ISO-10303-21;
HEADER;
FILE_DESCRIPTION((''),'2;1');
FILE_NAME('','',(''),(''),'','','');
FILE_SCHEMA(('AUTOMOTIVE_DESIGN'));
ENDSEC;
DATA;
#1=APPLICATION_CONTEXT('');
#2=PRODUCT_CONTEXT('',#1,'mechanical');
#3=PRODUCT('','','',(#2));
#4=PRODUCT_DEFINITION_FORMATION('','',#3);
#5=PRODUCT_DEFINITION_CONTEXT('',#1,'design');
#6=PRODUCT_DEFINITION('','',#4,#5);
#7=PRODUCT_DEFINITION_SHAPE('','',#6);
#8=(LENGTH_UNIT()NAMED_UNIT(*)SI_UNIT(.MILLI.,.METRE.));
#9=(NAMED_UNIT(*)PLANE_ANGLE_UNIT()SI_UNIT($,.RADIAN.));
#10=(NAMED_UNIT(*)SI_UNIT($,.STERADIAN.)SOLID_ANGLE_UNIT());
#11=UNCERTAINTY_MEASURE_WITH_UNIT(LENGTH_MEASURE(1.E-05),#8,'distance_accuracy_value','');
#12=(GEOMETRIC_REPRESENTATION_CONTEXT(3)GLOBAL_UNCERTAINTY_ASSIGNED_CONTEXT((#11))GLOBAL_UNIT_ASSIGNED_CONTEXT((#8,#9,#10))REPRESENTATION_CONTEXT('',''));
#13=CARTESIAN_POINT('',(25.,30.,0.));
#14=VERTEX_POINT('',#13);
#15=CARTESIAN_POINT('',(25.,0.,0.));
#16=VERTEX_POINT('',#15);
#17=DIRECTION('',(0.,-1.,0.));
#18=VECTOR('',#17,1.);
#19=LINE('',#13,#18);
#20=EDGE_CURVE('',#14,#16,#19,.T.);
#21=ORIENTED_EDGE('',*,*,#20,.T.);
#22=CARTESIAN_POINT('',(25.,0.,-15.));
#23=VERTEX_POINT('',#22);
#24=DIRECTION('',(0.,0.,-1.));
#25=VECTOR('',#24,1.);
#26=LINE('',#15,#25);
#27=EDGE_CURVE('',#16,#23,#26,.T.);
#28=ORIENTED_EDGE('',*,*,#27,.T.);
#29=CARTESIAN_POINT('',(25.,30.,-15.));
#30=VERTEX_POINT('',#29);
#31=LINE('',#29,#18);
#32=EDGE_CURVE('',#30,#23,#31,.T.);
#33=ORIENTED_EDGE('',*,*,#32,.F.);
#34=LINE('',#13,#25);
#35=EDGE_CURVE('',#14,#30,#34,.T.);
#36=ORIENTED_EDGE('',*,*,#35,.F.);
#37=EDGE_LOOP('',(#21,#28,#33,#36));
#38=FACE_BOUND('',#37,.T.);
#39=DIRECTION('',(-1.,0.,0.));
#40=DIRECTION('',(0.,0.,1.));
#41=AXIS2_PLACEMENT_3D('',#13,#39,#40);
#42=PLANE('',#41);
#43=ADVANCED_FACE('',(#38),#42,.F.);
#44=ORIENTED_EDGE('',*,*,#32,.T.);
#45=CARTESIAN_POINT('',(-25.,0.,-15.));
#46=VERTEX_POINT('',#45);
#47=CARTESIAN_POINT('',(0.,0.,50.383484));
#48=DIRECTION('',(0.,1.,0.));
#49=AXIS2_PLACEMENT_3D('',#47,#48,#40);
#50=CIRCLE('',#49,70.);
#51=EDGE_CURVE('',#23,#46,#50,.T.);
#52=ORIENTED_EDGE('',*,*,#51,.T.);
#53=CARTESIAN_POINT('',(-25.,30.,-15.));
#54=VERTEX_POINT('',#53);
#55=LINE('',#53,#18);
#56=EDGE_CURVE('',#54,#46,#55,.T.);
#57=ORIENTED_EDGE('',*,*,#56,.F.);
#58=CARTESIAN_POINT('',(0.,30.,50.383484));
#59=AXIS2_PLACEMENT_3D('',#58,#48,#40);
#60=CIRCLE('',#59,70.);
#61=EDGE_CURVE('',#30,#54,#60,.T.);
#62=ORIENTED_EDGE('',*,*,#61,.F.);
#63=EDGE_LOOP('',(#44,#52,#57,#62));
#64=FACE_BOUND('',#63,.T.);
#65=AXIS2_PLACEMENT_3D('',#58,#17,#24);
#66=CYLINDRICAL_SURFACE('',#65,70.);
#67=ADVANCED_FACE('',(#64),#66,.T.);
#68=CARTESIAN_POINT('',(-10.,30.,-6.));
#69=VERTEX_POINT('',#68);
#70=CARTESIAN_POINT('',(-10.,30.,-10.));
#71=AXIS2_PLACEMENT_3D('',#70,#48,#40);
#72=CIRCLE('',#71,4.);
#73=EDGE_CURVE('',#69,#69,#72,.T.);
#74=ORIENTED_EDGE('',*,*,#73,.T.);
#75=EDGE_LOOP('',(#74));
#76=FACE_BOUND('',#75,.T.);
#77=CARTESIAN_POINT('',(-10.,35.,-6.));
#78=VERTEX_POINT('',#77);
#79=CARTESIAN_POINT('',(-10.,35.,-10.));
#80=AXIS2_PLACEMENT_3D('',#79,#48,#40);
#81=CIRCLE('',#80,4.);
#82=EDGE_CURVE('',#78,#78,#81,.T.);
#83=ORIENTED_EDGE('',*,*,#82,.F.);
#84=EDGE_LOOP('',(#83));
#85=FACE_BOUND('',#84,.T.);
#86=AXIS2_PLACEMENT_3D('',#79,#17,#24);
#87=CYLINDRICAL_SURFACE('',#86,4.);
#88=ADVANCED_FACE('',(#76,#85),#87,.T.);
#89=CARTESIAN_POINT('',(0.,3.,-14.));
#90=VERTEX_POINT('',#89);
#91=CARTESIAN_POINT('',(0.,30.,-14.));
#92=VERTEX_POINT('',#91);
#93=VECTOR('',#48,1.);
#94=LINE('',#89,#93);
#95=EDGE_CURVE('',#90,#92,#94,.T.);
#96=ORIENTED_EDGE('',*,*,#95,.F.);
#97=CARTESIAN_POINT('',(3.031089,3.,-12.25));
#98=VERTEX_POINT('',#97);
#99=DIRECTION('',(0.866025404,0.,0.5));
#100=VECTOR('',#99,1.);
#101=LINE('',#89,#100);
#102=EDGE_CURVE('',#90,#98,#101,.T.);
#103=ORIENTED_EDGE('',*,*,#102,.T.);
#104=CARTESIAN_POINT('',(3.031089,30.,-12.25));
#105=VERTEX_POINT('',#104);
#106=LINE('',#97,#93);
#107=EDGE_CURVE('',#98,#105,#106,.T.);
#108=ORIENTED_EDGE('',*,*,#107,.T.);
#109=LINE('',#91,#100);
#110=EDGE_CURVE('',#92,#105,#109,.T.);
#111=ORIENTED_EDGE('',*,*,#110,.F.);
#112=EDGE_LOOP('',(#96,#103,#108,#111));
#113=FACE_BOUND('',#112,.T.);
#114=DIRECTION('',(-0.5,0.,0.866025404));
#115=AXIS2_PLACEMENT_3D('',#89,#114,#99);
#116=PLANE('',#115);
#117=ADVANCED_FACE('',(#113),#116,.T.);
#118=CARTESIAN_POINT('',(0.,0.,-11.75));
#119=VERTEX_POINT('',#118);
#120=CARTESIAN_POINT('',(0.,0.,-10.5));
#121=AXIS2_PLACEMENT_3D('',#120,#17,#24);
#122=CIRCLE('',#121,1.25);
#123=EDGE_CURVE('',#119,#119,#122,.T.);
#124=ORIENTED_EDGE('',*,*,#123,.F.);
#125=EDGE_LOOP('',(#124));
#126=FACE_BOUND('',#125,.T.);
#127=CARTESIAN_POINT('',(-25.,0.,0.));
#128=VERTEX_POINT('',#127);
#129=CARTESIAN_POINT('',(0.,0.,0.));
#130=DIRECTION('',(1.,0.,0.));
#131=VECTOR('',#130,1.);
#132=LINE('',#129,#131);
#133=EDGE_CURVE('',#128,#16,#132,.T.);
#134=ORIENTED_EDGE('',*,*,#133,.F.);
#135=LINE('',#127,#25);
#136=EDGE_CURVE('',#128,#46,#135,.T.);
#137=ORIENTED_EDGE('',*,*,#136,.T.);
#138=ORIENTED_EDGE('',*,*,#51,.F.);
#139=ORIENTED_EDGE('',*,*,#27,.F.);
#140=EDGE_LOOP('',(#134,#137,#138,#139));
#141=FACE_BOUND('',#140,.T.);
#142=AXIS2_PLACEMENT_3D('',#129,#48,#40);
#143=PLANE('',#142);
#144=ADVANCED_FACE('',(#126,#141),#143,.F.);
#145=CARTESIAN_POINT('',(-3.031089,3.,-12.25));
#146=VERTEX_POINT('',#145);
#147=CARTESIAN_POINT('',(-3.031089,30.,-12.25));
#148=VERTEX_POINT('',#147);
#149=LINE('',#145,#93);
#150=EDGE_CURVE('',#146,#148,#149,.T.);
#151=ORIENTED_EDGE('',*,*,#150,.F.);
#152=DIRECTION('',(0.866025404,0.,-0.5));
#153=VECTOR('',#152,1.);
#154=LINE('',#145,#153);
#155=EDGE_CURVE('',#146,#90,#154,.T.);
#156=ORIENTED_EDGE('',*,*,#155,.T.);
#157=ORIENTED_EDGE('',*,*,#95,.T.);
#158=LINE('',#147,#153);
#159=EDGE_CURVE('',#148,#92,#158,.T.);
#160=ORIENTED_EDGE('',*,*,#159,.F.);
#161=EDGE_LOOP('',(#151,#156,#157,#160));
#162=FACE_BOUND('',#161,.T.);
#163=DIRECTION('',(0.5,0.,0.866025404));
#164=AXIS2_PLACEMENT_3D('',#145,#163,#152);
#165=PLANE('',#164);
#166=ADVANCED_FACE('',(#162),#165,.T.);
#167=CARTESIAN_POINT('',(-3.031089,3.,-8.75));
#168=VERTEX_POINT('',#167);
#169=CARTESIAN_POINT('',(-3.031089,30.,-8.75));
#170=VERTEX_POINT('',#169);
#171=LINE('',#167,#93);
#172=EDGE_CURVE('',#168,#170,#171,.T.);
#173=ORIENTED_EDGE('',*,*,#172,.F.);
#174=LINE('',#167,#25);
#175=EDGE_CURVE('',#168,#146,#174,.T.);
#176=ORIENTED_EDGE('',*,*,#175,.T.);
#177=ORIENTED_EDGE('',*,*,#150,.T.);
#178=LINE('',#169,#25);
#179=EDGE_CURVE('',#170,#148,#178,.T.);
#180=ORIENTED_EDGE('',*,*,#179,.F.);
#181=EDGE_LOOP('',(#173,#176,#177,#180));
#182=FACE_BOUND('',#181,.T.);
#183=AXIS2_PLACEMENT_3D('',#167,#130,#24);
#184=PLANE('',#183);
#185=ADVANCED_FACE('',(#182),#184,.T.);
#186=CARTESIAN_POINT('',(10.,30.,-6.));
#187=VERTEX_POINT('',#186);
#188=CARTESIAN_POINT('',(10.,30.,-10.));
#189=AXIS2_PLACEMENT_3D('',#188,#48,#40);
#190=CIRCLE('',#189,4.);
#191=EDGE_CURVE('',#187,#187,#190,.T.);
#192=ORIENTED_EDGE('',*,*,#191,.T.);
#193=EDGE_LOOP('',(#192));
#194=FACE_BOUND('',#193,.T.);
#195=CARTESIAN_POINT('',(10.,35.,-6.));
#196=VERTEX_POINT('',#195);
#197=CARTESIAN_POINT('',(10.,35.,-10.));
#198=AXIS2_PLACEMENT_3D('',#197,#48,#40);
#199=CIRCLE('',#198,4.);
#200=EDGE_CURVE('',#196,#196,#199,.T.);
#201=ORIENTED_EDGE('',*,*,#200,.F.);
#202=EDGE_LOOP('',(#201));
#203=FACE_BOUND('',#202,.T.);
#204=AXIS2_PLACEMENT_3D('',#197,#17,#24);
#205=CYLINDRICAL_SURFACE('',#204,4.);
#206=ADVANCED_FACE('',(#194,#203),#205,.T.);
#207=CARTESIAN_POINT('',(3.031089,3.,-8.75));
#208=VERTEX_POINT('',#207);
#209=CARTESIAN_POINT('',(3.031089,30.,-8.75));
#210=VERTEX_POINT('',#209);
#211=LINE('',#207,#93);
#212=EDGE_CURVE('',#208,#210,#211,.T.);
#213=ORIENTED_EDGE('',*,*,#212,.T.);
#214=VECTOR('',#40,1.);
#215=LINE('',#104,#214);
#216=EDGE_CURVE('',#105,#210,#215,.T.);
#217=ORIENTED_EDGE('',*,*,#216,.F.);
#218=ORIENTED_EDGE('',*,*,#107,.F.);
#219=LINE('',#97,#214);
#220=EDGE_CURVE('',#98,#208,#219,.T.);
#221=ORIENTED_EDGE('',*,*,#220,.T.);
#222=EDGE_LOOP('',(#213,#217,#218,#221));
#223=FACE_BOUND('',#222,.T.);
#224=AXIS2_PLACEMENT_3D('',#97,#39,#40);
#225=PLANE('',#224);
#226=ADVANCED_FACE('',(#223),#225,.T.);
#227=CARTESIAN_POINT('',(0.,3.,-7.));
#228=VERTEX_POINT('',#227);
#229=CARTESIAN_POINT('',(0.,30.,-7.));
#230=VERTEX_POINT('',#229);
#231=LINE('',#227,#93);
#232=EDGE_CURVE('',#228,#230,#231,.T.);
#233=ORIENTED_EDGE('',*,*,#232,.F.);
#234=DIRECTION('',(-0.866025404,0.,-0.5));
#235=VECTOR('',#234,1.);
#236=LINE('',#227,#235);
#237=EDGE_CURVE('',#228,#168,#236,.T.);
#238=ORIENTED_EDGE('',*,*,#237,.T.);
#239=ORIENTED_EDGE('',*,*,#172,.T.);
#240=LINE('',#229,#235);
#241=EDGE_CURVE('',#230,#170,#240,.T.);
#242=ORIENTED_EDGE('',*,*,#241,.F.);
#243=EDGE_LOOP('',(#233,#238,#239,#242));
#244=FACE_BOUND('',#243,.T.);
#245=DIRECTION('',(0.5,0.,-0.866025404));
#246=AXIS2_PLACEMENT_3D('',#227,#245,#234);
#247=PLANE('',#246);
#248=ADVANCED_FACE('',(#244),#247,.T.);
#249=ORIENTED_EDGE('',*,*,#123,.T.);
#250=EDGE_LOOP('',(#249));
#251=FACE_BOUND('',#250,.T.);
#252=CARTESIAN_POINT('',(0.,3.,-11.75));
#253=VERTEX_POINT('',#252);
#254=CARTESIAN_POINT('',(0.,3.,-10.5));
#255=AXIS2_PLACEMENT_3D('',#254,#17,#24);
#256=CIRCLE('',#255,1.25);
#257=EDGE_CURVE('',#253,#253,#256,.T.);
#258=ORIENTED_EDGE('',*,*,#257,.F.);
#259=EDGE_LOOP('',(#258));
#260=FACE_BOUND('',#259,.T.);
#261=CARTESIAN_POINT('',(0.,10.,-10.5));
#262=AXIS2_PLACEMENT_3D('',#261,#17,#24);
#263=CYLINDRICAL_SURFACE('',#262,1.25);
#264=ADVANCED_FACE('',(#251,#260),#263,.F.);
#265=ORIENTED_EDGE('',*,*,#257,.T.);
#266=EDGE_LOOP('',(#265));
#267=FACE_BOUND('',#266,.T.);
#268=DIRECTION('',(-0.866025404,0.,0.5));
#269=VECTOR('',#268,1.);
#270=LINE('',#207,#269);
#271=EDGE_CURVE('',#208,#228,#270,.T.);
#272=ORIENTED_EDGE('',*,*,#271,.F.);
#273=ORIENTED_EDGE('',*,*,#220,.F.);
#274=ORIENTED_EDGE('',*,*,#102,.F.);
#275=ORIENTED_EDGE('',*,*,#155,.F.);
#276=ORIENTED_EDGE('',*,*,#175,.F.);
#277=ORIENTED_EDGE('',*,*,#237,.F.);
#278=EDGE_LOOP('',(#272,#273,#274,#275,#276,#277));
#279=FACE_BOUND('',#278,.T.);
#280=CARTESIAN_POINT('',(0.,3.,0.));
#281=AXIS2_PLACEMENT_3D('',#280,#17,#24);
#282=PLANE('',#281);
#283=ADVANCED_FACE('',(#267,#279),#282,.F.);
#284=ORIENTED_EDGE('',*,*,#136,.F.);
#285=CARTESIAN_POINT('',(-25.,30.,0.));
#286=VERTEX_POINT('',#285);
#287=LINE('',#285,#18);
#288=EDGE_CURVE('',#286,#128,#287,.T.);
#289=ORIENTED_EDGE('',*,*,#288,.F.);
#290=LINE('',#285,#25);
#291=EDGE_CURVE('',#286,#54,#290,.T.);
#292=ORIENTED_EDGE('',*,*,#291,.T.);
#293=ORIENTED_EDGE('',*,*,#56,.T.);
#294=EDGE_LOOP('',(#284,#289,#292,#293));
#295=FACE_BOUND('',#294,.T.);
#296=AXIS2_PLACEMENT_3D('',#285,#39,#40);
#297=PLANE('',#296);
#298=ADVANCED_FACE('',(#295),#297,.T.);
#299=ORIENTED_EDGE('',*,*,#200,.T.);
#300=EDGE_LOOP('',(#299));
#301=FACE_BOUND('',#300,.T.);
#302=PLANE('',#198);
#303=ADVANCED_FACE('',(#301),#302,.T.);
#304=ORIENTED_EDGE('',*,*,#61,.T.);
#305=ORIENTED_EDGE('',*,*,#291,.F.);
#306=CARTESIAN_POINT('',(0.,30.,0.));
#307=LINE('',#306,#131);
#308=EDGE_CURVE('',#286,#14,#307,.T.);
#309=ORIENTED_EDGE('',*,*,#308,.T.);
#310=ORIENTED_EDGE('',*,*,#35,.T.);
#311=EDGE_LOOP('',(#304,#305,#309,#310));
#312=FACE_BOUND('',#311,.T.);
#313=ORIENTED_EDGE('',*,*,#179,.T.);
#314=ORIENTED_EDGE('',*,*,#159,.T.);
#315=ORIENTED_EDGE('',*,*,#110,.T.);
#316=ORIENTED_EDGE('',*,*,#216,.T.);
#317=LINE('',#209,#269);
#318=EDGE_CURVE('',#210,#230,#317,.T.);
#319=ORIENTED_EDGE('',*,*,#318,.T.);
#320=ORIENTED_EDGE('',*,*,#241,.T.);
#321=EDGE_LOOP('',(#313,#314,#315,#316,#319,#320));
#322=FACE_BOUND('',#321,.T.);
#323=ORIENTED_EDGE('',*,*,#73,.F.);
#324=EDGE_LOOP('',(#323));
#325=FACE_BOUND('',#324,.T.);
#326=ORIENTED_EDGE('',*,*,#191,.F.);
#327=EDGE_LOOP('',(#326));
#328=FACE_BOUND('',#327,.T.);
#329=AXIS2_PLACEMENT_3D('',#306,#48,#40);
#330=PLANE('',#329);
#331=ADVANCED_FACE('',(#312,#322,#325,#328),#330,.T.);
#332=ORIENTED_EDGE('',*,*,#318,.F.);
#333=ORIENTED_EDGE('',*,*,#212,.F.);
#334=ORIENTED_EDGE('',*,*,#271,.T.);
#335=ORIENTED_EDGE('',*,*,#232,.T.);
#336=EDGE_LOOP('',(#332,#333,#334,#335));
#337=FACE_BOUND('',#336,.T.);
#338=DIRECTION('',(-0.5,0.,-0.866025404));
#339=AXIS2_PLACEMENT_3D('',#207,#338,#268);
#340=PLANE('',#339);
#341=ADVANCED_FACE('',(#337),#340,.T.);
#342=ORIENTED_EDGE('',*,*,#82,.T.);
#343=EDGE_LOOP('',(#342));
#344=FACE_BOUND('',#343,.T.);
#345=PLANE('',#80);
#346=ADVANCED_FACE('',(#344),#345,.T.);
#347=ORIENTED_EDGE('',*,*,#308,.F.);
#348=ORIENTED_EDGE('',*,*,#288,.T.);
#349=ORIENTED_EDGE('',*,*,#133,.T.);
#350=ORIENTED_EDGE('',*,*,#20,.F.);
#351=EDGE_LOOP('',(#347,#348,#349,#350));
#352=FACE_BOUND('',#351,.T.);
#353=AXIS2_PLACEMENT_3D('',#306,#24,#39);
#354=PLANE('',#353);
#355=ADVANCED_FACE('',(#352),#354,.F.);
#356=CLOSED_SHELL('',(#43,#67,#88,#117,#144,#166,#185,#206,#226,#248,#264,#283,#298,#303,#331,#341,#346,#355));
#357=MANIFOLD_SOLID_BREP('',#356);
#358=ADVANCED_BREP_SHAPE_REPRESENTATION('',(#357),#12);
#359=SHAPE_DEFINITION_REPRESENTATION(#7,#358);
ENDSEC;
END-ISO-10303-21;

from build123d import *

# Parameters (mm, degrees)
BOSS_EXTRUDE1_DEPTH = 30
SKETCH2_R           = 4
BOSS_EXTRUDE2_DEPTH = 5
CUT_EXTRUDE1_DEPTH  = 27
SKETCH4_R           = 1.25
CUT_EXTRUDE2_DEPTH  = 10


with BuildPart() as part:
    # Sketch1 → Boss-Extrude1 (new body)
    with BuildSketch(Plane(origin=(0, 0, 0), x_dir=(1, 0, 0), z_dir=(0, 1, 0))):
        with BuildLine():
            Line((-25, 15), (-25, 0))
            Line((-25, 0), (25, 0))
            Line((25, 0), (25, 15))
            ThreePointArc((25, 15), (0, 19.616515847), (-25, 15))
        make_face()
    extrude(amount=BOSS_EXTRUDE1_DEPTH)

    # Sketch2 → Boss-Extrude2 (add)
    with BuildSketch(Plane(origin=(0, 30, 0), x_dir=(1, 0, 0), z_dir=(0, 1, 0))):
        with Locations(Location((-10, 10, 0), (0, 0, 270))):
            Circle(SKETCH2_R)
        with Locations(Location((10, 10, 0), (0, 0, 270))):
            Circle(SKETCH2_R)
    extrude(amount=BOSS_EXTRUDE2_DEPTH)

    # Sketch3 → Cut-Extrude1 (cut)
    with BuildSketch(Plane.XZ.offset(-30)):
        Polygon((0, -7), (-3.031088913, -8.75), (-3.031088913, -12.25), (0, -14), (3.031088913, -12.25), (3.031088913, -8.75), align=None)
    extrude(amount=CUT_EXTRUDE1_DEPTH, mode=Mode.SUBTRACT)

    # Sketch4 → Cut-Extrude2 (cut)
    with BuildSketch(Plane.XZ):
        with Locations(Location((0, -10.5, 0), (0, 0, 270))):
            Circle(SKETCH4_R)
    extrude(amount=-CUT_EXTRUDE2_DEPTH, mode=Mode.SUBTRACT)


solid = part.part
